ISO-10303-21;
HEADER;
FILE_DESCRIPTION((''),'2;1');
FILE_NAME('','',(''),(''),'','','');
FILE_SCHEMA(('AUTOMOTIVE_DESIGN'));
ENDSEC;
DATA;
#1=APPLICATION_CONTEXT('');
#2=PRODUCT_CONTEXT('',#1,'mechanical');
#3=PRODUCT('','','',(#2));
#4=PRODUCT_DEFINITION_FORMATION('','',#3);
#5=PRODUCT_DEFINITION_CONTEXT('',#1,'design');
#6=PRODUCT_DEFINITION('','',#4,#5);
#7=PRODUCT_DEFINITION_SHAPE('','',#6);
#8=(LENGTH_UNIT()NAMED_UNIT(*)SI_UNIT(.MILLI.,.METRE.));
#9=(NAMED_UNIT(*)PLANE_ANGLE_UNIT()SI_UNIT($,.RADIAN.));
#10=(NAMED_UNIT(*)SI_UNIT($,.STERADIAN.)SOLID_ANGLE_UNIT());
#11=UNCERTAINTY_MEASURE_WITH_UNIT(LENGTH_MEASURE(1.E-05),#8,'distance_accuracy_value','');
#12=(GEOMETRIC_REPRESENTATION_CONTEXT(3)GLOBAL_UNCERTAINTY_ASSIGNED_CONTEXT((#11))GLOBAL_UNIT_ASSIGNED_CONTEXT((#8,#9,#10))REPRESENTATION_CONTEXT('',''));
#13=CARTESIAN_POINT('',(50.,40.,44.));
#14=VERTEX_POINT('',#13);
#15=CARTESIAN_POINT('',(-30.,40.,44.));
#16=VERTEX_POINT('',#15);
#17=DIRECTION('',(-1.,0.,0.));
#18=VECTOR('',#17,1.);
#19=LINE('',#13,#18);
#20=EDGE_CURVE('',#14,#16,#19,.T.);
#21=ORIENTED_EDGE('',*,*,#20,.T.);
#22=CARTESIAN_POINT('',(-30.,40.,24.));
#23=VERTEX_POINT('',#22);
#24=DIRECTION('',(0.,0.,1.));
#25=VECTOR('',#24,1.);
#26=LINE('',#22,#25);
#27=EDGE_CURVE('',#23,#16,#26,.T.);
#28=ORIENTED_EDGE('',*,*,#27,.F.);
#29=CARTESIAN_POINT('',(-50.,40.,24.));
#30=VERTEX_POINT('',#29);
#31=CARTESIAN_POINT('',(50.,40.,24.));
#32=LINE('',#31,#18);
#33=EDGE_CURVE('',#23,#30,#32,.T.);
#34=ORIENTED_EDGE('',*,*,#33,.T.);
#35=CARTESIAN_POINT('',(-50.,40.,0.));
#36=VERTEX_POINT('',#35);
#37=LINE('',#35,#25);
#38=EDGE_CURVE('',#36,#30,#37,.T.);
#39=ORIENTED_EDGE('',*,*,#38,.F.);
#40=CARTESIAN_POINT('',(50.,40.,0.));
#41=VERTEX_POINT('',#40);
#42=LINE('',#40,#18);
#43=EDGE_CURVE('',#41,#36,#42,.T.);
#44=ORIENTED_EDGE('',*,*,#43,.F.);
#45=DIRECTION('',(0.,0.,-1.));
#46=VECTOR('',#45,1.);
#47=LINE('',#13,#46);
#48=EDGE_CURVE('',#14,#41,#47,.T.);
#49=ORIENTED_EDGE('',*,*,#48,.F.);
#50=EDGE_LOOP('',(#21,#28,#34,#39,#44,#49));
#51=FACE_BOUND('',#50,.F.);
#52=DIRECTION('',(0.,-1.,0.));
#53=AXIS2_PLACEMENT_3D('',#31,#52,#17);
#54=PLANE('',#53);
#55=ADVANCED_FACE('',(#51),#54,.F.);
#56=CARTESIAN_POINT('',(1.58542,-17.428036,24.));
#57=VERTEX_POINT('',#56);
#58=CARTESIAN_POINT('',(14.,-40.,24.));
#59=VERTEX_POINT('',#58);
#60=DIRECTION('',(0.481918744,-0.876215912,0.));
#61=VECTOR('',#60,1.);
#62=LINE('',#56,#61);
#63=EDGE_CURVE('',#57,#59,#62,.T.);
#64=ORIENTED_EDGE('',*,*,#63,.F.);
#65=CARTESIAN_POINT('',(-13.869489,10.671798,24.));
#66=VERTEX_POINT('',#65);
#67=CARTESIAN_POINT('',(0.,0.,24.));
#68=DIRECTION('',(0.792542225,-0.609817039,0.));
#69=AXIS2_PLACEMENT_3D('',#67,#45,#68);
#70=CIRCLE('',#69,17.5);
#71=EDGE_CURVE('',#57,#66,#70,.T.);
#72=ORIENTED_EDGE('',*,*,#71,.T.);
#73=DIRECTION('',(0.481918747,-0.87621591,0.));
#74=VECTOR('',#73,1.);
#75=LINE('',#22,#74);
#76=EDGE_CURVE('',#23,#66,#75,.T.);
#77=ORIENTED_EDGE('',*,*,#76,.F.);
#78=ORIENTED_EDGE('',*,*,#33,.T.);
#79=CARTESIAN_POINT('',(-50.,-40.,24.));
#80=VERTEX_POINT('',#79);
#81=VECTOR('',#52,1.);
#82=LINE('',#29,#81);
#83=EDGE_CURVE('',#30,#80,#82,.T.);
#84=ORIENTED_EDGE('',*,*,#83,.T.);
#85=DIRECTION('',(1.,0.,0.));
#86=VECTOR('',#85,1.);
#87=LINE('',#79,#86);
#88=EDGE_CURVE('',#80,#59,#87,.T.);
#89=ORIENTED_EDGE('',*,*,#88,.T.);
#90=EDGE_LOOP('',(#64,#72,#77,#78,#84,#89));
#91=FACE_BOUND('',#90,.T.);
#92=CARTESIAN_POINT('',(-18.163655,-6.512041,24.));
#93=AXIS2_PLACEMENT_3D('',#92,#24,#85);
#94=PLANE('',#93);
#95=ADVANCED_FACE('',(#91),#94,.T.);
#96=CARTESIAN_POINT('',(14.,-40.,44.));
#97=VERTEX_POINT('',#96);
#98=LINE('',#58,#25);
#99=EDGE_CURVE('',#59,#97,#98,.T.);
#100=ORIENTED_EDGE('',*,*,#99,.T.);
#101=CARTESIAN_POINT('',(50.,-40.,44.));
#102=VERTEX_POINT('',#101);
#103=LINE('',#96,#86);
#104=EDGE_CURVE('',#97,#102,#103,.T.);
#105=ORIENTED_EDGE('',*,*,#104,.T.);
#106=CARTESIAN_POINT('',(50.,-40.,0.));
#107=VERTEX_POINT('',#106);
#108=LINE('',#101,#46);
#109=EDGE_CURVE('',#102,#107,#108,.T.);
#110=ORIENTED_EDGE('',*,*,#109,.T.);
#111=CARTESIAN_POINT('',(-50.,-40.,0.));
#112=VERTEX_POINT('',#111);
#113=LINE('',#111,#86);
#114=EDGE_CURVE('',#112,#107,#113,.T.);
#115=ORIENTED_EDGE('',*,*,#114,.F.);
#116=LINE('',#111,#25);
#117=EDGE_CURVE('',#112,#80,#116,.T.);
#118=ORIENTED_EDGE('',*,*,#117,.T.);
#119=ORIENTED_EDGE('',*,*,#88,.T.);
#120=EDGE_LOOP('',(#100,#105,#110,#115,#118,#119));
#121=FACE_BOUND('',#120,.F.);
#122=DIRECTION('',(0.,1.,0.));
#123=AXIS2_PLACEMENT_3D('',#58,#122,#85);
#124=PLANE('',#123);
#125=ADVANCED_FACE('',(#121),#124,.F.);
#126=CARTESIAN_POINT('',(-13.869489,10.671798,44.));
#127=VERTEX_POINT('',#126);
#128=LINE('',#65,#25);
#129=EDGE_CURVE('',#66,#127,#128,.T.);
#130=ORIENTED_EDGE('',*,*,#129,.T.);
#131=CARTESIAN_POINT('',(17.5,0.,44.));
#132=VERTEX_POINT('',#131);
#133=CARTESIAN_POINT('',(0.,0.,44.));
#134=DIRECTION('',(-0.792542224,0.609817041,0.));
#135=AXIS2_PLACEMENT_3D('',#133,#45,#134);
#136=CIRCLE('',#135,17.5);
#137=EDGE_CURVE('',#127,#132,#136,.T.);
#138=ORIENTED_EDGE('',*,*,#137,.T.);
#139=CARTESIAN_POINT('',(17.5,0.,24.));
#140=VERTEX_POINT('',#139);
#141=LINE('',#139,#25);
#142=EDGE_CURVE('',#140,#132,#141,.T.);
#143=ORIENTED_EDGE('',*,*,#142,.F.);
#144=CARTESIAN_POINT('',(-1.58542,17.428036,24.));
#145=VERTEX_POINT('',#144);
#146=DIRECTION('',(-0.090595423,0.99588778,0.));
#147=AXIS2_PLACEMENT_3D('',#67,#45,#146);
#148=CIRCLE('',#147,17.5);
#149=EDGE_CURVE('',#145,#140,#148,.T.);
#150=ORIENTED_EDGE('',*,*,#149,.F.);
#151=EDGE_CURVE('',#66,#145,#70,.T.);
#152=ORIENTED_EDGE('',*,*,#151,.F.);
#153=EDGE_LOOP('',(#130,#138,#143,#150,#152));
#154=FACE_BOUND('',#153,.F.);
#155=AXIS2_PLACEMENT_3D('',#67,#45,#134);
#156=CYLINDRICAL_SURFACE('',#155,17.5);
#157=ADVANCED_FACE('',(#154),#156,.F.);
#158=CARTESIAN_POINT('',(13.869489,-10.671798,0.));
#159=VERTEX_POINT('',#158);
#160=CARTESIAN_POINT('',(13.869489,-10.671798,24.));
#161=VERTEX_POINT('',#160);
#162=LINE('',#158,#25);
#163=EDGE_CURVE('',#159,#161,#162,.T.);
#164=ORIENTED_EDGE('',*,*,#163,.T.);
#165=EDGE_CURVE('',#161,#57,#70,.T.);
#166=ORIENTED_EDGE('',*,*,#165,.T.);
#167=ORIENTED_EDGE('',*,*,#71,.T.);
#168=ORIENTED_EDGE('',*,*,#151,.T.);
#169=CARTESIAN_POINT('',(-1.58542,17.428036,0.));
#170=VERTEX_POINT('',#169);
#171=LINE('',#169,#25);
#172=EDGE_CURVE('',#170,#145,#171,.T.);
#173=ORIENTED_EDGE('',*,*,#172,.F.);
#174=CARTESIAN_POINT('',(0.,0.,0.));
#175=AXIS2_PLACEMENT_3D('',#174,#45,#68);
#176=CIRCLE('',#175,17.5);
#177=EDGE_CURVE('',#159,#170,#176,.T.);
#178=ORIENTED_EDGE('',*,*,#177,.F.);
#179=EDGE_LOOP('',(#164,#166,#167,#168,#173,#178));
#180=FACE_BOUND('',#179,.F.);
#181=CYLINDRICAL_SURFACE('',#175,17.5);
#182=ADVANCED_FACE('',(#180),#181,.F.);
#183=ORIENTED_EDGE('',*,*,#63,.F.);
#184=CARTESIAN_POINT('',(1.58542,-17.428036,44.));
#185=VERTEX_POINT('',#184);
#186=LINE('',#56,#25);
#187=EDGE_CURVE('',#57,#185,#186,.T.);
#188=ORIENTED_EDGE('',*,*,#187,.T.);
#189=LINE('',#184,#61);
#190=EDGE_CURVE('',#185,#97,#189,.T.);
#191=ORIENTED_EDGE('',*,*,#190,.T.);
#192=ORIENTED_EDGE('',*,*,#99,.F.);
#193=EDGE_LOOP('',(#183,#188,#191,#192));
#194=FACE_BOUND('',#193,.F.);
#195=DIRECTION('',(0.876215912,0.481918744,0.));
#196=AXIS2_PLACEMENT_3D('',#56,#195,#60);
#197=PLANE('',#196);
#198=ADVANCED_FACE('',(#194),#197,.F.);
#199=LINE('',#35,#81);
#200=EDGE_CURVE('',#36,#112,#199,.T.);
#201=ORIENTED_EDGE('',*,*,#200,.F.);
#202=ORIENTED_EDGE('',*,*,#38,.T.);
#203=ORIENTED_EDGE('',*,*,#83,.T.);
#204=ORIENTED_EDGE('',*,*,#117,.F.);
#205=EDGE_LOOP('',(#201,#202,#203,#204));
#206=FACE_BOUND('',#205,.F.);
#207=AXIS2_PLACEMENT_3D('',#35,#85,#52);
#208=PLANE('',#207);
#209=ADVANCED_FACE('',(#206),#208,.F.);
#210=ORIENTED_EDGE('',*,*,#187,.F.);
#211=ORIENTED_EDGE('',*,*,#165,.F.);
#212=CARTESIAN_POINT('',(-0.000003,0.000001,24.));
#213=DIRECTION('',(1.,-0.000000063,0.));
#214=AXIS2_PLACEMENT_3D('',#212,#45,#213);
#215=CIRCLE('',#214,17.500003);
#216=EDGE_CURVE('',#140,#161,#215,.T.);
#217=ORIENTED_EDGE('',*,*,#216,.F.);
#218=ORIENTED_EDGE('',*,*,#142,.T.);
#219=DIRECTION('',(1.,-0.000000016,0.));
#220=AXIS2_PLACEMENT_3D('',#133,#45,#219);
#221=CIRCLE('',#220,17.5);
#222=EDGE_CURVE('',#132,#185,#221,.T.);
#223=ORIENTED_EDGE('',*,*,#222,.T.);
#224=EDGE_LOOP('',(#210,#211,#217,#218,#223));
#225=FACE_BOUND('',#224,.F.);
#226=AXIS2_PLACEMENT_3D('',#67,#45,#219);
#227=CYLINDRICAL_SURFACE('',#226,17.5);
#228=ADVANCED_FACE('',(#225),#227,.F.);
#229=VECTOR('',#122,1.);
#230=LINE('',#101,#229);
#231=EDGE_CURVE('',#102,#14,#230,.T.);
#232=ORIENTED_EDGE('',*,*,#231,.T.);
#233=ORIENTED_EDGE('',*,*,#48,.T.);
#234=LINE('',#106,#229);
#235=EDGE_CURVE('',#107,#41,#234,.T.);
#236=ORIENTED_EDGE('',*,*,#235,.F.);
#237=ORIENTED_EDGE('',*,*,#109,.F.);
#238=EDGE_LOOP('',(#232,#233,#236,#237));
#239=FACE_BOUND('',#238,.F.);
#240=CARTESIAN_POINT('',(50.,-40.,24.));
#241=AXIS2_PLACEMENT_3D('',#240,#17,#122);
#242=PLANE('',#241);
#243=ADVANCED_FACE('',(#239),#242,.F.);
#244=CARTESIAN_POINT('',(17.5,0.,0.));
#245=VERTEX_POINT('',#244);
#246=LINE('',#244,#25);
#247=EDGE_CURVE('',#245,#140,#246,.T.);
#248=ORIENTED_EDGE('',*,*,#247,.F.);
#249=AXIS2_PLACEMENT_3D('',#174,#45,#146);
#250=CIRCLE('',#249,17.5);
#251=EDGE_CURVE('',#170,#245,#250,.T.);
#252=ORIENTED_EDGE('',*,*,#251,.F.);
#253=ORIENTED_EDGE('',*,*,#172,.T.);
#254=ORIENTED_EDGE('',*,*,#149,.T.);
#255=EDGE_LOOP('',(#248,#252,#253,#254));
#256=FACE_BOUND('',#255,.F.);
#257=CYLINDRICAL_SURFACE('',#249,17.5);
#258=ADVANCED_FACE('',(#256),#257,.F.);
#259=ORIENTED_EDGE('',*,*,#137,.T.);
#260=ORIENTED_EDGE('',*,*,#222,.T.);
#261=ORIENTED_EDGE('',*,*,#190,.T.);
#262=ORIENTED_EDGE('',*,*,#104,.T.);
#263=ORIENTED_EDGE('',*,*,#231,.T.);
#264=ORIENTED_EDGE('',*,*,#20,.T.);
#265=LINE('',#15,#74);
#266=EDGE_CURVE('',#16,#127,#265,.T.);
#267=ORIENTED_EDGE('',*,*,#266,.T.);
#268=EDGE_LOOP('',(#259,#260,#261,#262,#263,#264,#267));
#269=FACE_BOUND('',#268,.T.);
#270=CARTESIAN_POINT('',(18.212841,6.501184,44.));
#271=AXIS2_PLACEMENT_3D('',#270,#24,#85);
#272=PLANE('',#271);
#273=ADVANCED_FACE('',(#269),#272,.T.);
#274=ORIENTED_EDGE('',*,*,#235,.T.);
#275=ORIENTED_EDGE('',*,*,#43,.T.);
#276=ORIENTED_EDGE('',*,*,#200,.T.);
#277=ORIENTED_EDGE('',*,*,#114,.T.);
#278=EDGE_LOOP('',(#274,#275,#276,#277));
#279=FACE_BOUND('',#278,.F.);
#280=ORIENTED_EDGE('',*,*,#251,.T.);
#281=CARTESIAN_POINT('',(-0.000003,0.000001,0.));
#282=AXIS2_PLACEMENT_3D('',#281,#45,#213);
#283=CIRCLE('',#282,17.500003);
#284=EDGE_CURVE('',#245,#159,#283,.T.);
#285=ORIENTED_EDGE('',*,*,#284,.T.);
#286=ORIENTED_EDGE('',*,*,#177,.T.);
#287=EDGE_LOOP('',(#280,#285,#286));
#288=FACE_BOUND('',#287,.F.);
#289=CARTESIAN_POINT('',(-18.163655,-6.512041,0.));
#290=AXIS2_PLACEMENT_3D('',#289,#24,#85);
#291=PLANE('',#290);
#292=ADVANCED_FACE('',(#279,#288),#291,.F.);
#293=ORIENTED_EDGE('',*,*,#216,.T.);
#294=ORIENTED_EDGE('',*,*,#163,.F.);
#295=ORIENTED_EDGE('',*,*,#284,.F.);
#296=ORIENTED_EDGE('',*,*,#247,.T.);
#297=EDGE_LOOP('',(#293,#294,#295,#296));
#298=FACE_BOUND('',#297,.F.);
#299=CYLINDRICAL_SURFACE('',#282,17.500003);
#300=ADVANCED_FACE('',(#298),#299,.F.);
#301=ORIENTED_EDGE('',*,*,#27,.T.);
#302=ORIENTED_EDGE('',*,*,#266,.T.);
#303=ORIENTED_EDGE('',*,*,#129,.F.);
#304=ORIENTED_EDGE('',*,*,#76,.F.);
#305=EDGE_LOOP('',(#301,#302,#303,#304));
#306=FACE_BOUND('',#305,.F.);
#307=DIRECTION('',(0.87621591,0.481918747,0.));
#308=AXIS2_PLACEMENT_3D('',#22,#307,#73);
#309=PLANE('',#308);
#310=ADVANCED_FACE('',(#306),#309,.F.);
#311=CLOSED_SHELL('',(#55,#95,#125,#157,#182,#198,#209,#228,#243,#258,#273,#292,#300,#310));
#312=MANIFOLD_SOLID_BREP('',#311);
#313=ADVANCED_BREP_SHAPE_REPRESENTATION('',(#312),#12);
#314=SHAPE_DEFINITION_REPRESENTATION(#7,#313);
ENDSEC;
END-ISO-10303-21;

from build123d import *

# Parameters (mm, degrees)
F1_DEPTH = 24
F3_DEPTH = 20


with BuildPart() as f1:
    # F0 (on Top) → F1 (new body)
    with BuildSketch(Plane.XY):
        with BuildLine():
            Line((-1.58542, 17.428036), (-14, 40))
            Line((-14, 40), (-50, 40))
            Line((-50, 40), (-50, -40))
            Line((-50, -40), (30, -40))
            Line((30, -40), (13.869489, -10.671798))
            ThreePointArc((13.869489, -10.671798), (-15.333778, -8.433578), (-1.58542, 17.428036))
        make_face()
        with BuildLine():
            Line((50, -40), (50, 40))
            Line((50, 40), (-14, 40))
            Line((-14, 40), (-1.58542, 17.428036))
            ThreePointArc((-1.58542, 17.428036), (11.800533, 12.922748), (17.5, 0))
            ThreePointArc((17.5, 0), (16.567529, -5.63622), (13.869489, -10.671798))
            Line((13.869489, -10.671798), (30, -40))
            Line((30, -40), (50, -40))
        make_face()
    extrude(amount=F1_DEPTH)

    # F2 (on face) → F3 (join)
    with BuildSketch(Plane.XY.offset(24)):
        with BuildLine():
            Line((50, 40), (-30, 40))
            Line((-30, 40), (-13.869489, 10.671798))
            ThreePointArc((-13.869489, 10.671798), (5.63622, 16.567529), (17.5, 0))
            ThreePointArc((17.5, 0), (12.922748, -11.800533), (1.58542, -17.428036))
            Line((1.58542, -17.428036), (14, -40))
            Line((14, -40), (50, -40))
            Line((50, -40), (50, 40))
        make_face()
    extrude(amount=F3_DEPTH)


solid = f1.part
